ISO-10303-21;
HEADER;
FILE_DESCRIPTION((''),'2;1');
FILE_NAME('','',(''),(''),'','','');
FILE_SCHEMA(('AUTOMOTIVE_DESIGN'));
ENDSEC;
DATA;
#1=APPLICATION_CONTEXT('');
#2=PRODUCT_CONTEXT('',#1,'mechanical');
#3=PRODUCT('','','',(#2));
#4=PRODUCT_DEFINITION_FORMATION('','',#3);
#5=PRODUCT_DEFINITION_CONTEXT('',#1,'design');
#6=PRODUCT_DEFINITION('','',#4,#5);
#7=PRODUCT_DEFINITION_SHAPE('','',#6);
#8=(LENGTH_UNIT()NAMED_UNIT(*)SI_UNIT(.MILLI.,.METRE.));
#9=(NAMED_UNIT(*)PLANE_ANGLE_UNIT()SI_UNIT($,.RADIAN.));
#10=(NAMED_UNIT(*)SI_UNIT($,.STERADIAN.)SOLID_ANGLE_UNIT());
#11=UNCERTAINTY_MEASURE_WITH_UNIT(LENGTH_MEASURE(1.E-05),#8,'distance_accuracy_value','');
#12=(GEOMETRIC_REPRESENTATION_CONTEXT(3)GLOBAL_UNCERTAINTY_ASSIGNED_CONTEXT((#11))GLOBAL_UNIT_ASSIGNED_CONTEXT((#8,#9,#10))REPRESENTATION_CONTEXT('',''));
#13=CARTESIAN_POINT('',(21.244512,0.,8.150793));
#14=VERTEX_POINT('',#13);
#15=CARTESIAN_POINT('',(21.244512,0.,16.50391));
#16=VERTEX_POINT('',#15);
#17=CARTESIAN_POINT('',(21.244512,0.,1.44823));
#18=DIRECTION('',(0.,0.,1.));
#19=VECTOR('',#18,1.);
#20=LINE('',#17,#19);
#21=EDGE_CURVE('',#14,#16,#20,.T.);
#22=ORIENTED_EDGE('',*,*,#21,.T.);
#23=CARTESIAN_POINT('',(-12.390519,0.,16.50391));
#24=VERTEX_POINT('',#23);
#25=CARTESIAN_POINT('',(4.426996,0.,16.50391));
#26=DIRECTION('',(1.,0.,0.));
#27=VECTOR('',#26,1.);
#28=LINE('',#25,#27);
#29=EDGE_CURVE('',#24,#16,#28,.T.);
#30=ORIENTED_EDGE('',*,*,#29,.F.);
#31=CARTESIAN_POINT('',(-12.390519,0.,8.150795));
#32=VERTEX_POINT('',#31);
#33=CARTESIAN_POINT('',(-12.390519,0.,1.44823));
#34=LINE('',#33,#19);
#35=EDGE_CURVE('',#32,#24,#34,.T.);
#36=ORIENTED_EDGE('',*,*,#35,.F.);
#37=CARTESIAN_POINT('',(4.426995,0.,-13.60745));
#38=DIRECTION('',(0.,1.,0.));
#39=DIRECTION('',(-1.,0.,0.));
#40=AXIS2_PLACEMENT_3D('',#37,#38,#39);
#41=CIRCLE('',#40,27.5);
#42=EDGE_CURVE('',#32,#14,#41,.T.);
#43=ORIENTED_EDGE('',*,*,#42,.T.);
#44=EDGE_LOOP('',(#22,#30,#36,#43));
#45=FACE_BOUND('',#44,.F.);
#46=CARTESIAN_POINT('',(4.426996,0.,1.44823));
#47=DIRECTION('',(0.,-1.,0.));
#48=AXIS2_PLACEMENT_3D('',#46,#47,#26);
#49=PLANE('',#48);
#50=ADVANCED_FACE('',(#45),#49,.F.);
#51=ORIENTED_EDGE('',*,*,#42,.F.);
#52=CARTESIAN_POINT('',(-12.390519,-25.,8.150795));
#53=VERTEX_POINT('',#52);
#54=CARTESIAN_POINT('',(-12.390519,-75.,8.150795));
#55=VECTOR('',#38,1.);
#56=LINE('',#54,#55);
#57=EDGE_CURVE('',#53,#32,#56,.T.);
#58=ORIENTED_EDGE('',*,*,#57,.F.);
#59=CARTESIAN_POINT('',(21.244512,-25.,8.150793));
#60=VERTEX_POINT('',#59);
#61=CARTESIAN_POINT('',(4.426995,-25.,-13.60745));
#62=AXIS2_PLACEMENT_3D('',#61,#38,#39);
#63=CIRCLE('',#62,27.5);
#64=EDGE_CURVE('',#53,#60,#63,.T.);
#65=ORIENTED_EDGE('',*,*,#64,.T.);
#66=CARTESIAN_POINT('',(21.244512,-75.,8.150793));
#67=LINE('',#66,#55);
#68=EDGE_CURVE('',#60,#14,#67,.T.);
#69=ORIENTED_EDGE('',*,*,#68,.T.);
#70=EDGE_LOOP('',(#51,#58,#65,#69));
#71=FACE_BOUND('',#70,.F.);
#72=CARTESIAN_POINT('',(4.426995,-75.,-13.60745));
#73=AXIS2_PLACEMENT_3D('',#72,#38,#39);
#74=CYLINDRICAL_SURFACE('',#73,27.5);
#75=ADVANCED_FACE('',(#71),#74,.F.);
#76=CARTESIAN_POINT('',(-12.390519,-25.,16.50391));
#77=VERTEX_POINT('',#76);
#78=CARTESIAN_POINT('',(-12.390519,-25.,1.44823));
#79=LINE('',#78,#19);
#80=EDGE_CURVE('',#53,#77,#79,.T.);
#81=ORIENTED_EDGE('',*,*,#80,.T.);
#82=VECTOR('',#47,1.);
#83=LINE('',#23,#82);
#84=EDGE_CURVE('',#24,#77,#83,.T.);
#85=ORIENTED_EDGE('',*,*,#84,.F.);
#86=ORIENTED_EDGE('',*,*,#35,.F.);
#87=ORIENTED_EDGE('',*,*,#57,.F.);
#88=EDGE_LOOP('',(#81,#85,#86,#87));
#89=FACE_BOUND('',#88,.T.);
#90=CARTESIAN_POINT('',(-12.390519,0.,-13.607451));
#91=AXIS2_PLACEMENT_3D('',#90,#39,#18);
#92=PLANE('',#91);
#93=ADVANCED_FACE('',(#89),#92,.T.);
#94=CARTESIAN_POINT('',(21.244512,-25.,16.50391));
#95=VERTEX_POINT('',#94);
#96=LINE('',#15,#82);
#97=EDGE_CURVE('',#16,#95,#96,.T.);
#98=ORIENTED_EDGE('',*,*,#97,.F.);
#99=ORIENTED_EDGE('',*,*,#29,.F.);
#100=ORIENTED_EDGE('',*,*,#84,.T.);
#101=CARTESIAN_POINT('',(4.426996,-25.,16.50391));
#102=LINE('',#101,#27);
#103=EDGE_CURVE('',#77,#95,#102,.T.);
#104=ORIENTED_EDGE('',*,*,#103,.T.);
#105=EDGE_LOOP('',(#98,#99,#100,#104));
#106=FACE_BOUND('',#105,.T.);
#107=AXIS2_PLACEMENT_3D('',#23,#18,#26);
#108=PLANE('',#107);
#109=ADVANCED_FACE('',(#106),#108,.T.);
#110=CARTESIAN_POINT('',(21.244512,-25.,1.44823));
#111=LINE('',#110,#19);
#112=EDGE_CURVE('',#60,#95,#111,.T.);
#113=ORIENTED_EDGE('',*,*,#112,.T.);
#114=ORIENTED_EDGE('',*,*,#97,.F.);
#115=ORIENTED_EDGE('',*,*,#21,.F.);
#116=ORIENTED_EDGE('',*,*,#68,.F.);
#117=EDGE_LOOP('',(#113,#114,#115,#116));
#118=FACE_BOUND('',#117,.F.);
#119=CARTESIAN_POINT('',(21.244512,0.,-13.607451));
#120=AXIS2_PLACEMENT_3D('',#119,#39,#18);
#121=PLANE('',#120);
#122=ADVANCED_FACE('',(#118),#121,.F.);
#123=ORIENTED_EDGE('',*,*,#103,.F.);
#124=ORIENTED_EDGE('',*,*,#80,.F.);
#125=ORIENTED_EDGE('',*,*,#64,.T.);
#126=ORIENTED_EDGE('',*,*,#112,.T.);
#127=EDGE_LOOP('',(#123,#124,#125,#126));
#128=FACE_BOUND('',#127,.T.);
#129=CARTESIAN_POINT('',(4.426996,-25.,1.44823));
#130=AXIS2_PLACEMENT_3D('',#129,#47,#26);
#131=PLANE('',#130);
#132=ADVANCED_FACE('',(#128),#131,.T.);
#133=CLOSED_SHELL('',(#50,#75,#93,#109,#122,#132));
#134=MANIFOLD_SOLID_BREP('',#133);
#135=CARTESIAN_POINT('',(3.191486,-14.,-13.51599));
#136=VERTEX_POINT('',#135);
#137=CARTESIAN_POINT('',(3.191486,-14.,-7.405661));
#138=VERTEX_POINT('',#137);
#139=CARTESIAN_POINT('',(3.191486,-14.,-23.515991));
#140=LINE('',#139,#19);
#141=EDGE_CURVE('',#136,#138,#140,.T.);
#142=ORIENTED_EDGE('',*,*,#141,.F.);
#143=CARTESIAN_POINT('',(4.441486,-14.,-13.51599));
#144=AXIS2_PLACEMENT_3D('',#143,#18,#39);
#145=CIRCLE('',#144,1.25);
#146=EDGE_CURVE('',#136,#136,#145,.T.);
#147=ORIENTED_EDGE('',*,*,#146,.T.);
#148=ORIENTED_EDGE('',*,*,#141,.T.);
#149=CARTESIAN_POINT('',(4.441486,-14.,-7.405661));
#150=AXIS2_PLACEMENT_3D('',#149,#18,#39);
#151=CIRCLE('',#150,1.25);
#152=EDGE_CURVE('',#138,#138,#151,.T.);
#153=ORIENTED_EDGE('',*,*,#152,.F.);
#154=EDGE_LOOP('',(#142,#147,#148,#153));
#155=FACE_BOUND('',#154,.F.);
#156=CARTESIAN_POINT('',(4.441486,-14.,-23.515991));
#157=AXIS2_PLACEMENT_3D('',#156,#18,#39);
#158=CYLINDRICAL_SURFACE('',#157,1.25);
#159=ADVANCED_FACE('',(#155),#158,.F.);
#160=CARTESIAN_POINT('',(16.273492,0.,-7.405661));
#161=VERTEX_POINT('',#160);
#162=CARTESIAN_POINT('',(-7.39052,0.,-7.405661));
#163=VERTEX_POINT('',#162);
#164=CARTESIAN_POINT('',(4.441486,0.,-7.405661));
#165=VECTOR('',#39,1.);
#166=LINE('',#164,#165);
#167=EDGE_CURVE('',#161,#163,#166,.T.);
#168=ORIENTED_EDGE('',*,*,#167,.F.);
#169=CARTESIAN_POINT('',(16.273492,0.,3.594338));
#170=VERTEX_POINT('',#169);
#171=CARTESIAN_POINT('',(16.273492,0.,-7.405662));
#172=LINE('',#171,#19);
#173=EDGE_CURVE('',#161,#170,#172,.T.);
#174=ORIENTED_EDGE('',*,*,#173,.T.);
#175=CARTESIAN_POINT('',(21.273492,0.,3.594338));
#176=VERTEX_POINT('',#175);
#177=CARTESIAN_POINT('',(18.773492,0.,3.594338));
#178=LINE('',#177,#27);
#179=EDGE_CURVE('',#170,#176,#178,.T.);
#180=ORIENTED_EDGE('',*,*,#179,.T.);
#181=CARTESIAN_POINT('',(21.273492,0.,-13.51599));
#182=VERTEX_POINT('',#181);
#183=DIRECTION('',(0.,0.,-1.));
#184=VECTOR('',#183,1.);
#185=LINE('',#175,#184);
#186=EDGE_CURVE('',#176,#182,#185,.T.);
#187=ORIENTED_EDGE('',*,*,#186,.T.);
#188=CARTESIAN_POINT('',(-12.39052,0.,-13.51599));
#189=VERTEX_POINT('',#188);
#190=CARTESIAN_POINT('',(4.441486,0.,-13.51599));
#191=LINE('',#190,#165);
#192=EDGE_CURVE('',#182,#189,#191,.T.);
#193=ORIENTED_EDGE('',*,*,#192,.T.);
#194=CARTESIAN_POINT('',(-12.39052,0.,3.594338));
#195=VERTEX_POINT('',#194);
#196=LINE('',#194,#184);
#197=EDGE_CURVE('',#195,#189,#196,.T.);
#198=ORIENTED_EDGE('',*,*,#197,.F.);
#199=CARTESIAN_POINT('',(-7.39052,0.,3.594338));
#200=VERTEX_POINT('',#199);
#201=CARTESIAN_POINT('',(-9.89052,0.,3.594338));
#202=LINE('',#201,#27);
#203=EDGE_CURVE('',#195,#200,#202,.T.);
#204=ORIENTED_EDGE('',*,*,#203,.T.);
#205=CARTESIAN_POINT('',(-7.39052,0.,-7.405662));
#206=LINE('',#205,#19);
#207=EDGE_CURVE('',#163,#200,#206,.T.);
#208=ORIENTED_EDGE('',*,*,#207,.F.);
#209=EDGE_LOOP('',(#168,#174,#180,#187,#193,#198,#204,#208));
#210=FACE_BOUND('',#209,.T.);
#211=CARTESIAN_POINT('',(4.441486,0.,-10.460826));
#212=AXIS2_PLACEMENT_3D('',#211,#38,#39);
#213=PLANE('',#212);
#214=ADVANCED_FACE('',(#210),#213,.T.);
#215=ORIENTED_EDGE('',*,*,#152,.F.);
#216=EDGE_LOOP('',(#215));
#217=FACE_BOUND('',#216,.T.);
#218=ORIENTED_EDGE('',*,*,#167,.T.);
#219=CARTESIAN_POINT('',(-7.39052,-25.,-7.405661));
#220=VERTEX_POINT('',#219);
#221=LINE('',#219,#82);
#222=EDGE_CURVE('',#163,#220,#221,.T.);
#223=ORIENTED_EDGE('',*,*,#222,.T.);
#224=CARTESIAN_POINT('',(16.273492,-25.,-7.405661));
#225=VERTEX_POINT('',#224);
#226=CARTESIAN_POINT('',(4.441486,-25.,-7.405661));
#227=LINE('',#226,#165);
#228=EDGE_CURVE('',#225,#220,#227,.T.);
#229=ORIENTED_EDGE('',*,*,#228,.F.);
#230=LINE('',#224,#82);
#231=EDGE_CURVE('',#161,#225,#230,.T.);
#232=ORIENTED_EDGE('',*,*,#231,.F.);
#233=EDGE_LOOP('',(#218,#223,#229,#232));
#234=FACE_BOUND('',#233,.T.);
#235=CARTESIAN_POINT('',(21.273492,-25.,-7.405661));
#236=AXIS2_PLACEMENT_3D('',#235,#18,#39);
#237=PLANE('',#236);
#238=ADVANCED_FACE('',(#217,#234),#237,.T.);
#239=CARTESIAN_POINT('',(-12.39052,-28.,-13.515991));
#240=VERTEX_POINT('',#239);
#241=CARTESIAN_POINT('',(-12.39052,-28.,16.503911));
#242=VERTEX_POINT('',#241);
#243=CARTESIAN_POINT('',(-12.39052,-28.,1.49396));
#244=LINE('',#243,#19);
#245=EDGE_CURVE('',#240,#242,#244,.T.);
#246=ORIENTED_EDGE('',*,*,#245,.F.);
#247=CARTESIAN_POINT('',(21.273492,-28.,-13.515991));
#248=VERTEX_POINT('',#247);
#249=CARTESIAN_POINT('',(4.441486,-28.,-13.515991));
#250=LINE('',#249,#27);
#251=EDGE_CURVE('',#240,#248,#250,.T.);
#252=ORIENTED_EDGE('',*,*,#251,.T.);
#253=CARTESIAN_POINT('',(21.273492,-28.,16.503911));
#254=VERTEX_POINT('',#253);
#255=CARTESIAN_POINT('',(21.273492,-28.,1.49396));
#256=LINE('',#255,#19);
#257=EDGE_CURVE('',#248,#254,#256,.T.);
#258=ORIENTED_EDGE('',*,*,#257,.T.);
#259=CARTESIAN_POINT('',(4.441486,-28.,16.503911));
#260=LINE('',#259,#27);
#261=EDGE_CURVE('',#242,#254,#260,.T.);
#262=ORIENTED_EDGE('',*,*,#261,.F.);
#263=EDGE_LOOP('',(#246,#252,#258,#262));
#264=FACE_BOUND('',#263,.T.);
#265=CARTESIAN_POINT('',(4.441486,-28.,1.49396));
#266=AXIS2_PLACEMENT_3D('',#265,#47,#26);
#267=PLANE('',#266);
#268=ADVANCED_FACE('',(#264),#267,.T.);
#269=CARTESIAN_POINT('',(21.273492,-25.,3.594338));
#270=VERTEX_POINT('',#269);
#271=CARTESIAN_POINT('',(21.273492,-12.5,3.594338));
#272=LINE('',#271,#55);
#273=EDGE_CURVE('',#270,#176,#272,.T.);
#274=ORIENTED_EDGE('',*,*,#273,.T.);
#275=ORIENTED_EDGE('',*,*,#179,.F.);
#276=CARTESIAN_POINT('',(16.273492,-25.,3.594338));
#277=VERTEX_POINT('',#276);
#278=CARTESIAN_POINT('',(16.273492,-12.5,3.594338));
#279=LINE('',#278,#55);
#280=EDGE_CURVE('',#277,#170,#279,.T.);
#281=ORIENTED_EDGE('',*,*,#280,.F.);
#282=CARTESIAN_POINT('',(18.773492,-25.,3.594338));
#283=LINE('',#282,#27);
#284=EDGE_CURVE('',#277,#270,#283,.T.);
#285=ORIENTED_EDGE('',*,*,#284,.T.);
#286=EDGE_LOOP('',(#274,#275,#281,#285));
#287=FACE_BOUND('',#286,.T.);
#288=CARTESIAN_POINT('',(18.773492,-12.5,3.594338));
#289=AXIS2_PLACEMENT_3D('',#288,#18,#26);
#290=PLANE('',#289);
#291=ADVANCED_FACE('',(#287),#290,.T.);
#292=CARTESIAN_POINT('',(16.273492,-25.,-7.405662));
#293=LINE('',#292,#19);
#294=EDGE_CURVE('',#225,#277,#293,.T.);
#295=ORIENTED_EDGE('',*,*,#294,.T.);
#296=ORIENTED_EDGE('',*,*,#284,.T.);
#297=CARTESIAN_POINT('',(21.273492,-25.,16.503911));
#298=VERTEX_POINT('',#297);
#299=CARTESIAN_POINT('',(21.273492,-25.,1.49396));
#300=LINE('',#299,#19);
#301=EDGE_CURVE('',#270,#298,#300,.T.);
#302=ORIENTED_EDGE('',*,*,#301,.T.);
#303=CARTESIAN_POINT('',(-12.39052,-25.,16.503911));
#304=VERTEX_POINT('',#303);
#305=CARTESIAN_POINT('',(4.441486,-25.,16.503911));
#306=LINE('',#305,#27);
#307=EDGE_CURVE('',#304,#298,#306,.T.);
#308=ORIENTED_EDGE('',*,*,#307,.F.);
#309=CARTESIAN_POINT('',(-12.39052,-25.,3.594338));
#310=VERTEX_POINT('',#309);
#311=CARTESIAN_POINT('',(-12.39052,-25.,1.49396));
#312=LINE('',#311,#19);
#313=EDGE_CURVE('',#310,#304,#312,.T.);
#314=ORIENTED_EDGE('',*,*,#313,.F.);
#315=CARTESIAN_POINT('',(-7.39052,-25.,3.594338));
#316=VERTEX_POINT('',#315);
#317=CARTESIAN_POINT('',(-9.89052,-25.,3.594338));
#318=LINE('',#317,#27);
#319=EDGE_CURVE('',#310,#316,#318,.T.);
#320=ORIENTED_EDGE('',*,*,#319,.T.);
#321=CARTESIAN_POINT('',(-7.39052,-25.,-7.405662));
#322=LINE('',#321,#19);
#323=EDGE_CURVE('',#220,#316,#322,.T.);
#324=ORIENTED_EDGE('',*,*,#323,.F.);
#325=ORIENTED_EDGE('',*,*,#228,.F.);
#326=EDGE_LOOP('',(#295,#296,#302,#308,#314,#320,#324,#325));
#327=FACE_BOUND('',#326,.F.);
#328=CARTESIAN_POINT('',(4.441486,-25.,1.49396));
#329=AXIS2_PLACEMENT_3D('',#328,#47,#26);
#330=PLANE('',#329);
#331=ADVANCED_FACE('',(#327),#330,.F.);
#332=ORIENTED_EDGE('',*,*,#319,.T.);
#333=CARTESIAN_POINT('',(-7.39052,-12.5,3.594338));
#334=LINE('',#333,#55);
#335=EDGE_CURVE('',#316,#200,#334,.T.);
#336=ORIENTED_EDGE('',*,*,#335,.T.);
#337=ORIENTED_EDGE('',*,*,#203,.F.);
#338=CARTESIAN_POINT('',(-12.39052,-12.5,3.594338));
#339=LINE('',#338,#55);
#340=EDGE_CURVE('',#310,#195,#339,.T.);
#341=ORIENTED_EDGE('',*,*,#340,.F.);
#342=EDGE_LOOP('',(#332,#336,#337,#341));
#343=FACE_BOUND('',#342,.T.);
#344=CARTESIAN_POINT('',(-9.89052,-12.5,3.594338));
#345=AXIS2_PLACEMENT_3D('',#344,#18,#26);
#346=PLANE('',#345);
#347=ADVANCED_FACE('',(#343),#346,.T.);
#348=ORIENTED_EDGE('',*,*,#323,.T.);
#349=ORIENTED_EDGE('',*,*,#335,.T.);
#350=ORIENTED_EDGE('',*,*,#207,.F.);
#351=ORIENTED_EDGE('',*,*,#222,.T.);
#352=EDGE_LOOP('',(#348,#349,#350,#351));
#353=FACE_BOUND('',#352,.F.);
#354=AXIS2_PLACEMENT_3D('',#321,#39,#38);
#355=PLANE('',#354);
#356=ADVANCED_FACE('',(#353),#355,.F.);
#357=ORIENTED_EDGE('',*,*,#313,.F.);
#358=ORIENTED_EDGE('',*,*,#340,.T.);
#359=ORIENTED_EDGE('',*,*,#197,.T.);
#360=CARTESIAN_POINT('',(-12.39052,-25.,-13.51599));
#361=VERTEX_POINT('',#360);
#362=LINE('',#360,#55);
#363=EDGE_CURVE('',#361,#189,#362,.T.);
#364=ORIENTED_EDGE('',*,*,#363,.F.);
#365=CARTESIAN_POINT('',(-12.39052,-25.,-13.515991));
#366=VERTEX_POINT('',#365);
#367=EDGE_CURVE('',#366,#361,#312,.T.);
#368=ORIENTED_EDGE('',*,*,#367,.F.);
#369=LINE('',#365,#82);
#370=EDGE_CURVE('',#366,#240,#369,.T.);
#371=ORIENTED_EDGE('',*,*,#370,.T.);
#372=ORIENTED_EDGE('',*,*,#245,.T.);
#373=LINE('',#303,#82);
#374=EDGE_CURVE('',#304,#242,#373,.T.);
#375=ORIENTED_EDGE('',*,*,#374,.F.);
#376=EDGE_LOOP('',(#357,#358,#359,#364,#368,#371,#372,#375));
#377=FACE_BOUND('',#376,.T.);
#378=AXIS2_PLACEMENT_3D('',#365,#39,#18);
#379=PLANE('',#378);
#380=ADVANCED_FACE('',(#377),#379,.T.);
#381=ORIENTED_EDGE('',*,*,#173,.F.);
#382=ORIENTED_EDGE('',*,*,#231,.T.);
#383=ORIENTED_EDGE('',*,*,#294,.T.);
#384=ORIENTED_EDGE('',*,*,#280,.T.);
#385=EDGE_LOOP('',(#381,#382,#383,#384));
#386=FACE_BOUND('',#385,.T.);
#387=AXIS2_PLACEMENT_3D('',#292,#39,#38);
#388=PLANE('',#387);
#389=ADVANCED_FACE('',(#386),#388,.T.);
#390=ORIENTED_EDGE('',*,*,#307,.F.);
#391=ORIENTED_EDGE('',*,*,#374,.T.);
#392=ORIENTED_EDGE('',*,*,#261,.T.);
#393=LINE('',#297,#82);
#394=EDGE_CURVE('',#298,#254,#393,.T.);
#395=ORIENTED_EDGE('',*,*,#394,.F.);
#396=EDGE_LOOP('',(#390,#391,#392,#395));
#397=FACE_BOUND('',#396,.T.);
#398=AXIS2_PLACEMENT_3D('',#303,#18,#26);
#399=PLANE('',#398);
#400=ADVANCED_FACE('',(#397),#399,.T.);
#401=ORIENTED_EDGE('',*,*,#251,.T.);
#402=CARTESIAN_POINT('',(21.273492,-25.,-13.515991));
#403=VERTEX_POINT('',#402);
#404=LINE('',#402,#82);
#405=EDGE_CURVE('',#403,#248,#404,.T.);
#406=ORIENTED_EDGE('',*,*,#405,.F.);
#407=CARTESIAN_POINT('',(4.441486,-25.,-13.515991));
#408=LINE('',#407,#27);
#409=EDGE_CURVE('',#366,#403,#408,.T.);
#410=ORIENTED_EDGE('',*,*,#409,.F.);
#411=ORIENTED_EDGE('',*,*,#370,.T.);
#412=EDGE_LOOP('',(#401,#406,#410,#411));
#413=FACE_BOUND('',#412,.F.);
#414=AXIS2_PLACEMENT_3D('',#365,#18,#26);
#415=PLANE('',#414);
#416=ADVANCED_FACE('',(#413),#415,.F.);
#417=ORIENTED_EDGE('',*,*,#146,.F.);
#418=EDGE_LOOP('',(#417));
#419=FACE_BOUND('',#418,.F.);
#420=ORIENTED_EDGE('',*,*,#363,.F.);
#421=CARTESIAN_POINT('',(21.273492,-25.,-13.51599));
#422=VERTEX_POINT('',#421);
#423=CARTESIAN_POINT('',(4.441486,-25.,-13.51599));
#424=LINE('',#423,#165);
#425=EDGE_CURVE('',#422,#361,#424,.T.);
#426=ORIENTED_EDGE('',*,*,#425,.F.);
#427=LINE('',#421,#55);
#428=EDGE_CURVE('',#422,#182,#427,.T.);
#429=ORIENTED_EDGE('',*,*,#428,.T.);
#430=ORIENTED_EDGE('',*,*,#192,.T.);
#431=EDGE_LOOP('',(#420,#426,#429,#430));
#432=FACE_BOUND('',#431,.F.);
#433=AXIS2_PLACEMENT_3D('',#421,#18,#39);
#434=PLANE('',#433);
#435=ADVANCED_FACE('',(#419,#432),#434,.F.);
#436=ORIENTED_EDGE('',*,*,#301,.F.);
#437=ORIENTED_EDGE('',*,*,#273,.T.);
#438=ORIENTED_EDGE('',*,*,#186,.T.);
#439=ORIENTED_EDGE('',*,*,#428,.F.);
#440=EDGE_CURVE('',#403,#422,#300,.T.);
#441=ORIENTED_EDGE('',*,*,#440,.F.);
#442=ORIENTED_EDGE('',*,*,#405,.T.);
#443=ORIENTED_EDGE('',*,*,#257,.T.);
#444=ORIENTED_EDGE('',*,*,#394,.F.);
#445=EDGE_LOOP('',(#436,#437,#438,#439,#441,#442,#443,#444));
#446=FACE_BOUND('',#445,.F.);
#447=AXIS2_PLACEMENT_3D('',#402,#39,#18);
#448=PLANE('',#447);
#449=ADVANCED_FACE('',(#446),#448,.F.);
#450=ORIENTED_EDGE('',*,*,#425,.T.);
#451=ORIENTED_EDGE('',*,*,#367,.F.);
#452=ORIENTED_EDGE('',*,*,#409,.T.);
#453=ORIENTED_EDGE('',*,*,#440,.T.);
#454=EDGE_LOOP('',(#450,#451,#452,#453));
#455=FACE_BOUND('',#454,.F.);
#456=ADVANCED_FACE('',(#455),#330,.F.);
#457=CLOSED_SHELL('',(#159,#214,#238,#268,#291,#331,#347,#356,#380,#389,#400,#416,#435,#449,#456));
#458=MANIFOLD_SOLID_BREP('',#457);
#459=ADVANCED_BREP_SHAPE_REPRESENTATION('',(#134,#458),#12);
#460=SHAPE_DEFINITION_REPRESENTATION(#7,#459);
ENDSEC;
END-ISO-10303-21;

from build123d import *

# Parameters (mm, degrees)
F0_W      = 33.635031
F0_H      = 30.111361
F1_DEPTH  = 25
F3_D      = 55
F3_DEPTH  = 50
F4_W      = 33.664012
F4_H      = 30.019902
F5_DEPTH  = 3
F6_W      = 33.664012
F6_H      = 6.110329
F7_DEPTH  = 25
F9_D      = 2.5
F9_DEPTH  = 10
F10_W     = 5
F10_H     = 25
F11_DEPTH = 11
F12_DEPTH = 11


with BuildPart() as f1:
    # F0 (on Front) → F1 (new body)
    with BuildSketch(Plane.XZ):
        with Locations((4.426996, 1.44823)):
            Rectangle(F0_W, F0_H)
    extrude(amount=F1_DEPTH)

    # F3
    with Locations(Plane.XZ.offset(25)):
        with Locations((4.426995, -13.60745)):
            Hole(F3_D / 2, depth=F3_DEPTH)


with BuildPart() as f5:
    # F4 (on face) → F5 (new body)
    with BuildSketch(Plane.XZ.offset(25)):
        with Locations((4.441486, 1.49396)):
            Rectangle(F4_W, F4_H)
    extrude(amount=F5_DEPTH)

    # F6 (on face) → F7 (join)
    with BuildSketch(Plane(origin=(0, -25, 0), x_dir=(-1, 0, 0), z_dir=(0, 1, 0))):
        with Locations((-4.441486, -10.460826)):
            Rectangle(F6_W, F6_H)
    extrude(amount=F7_DEPTH)

    # F9
    with Locations(Plane(origin=(0, 0, -13.515991), x_dir=(1, 0, 0), z_dir=(0, 0, -1))):
        with Locations((4.441486, 14)):
            Hole(F9_D / 2, depth=F9_DEPTH)

    # F10 (on face) → F11 (join)
    with BuildSketch(Plane.XY.offset(-7.405662)):
        with Locations((-9.89052, -12.5)):
            Rectangle(F10_W, F10_H)
    extrude(amount=F11_DEPTH)

    # F10 (on face) → F12 (join)
    with BuildSketch(Plane.XY.offset(-7.405662)):
        with Locations((18.773492, -12.5)):
            Rectangle(F10_W, F10_H)
    extrude(amount=F12_DEPTH)


solid = Compound([f1.part, f5.part])
